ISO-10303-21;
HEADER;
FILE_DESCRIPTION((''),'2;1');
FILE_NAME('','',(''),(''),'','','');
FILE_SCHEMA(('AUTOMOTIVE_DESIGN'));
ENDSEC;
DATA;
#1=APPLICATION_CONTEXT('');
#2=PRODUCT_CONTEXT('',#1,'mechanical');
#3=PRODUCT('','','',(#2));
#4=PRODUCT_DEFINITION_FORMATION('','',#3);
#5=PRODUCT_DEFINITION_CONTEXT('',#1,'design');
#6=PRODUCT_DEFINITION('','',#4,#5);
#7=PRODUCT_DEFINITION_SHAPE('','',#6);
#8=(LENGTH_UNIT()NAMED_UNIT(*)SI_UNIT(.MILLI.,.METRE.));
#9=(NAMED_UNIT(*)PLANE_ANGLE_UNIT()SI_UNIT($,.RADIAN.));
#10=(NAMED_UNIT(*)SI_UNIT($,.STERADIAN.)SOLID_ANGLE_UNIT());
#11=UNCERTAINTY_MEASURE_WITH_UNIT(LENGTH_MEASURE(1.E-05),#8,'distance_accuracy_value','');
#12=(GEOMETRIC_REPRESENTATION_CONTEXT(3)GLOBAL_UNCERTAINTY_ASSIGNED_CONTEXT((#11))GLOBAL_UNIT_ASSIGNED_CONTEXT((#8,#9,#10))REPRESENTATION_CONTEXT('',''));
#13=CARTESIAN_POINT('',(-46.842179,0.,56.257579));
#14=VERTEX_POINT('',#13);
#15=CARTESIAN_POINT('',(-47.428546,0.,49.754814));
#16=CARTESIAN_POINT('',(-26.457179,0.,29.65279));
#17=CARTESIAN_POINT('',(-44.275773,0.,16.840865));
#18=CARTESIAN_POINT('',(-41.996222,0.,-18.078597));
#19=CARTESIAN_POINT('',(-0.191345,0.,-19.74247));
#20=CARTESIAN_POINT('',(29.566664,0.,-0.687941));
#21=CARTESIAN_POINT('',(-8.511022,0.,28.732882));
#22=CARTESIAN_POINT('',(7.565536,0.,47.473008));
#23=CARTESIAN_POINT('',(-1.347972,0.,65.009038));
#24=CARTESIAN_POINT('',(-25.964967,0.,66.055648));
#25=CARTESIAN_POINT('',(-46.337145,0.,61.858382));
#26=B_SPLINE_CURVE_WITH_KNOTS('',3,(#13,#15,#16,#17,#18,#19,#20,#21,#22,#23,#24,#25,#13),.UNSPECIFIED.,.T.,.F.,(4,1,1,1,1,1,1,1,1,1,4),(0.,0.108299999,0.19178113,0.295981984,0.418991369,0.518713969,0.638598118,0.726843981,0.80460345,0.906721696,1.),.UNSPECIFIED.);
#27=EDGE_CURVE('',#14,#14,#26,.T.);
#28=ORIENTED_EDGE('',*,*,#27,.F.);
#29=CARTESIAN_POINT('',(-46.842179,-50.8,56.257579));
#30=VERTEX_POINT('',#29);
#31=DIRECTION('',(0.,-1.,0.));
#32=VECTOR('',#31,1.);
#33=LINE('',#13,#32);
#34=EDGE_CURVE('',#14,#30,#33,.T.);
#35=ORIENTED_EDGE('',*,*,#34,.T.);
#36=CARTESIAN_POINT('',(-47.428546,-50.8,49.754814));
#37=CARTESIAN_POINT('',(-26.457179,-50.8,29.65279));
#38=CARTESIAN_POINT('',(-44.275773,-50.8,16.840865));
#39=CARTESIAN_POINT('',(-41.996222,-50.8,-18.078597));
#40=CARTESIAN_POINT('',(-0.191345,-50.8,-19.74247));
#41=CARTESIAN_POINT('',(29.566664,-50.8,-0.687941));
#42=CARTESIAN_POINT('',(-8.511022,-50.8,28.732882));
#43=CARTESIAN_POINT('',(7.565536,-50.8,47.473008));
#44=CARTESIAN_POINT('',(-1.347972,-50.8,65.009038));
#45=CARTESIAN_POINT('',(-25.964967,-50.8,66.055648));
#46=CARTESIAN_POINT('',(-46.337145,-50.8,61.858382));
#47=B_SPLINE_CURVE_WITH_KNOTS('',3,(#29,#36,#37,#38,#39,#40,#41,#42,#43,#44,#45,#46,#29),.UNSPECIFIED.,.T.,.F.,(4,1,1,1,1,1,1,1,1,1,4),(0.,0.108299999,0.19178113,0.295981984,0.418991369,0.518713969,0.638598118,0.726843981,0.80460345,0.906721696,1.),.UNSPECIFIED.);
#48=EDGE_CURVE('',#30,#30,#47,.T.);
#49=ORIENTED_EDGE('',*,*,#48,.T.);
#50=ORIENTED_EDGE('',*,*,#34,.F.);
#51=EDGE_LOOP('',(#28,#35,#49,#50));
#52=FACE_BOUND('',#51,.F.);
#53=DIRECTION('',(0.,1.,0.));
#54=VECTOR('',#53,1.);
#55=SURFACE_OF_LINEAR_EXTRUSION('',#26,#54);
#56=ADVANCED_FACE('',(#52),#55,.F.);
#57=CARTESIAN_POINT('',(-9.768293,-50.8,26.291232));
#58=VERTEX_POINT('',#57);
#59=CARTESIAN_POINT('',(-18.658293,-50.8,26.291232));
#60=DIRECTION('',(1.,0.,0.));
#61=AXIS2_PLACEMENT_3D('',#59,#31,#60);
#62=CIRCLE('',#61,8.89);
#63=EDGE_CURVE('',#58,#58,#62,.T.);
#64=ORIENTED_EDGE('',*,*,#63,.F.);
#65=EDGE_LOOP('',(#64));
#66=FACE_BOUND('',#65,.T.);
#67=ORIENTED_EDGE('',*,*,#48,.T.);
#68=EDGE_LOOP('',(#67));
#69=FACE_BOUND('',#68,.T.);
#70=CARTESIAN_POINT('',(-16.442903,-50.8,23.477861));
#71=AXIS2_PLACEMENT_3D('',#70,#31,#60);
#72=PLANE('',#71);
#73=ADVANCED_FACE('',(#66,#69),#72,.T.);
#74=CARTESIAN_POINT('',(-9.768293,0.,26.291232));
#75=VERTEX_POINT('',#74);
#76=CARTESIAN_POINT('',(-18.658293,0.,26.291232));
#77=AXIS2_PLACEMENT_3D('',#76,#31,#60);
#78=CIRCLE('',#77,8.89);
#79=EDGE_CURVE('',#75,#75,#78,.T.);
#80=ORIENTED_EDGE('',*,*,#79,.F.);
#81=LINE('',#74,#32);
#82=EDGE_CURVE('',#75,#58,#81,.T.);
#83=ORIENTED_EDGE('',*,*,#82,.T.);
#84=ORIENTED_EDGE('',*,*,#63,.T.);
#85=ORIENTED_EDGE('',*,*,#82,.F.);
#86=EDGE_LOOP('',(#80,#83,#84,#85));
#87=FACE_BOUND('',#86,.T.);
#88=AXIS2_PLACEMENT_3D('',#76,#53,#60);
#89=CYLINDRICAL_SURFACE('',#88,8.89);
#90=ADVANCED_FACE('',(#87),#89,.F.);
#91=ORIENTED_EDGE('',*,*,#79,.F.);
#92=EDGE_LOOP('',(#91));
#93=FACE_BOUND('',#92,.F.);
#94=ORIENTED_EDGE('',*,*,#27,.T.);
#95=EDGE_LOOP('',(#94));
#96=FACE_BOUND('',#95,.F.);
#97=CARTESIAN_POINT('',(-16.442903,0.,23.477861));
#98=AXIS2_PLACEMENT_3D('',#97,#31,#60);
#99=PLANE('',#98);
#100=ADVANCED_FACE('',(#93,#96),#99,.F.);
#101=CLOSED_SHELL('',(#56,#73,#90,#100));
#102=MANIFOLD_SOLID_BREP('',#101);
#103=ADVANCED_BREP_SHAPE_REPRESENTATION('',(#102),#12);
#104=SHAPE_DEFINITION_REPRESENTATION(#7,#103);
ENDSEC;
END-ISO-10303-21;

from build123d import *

# Parameters (mm, degrees)
F0_R     = 8.89
F1_DEPTH = 50.8


with BuildPart() as f1:
    # F0 (on Front) → F1 (new body)
    with BuildSketch(Plane.XZ):
        with BuildLine():
            add(Edge.make_bspline(
                [(-46.8421793414, 56.2575792243), (-47.4285455542, 49.7548142027), (-26.4571794687, 29.6527900877), (-44.2757725198, 16.8408653855), (-41.9962216061, -18.0785970853), (-0.1913454109, -19.7424700698), (29.5666641029, -0.6879411353), (-8.5110216832, 28.7328819698), (7.5655356088, 47.4730076166), (-1.3479715775, 65.0090384836), (-25.9649673144, 66.0556476469), (-46.3371447516, 61.8583815782), (-46.8421793414, 56.2575792243)],
                knots=[0, 0, 0, 0, 0.1082999991, 0.19178113, 0.2959819843, 0.4189913686, 0.5187139689, 0.6385981179, 0.7268439812, 0.8046034501, 0.9067216964, 1, 1, 1, 1], degree=3))
        make_face()
        with Locations((-18.6582932697, 26.2912317781)):
            Circle(F0_R, mode=Mode.SUBTRACT)
    extrude(amount=F1_DEPTH)


solid = f1.part
